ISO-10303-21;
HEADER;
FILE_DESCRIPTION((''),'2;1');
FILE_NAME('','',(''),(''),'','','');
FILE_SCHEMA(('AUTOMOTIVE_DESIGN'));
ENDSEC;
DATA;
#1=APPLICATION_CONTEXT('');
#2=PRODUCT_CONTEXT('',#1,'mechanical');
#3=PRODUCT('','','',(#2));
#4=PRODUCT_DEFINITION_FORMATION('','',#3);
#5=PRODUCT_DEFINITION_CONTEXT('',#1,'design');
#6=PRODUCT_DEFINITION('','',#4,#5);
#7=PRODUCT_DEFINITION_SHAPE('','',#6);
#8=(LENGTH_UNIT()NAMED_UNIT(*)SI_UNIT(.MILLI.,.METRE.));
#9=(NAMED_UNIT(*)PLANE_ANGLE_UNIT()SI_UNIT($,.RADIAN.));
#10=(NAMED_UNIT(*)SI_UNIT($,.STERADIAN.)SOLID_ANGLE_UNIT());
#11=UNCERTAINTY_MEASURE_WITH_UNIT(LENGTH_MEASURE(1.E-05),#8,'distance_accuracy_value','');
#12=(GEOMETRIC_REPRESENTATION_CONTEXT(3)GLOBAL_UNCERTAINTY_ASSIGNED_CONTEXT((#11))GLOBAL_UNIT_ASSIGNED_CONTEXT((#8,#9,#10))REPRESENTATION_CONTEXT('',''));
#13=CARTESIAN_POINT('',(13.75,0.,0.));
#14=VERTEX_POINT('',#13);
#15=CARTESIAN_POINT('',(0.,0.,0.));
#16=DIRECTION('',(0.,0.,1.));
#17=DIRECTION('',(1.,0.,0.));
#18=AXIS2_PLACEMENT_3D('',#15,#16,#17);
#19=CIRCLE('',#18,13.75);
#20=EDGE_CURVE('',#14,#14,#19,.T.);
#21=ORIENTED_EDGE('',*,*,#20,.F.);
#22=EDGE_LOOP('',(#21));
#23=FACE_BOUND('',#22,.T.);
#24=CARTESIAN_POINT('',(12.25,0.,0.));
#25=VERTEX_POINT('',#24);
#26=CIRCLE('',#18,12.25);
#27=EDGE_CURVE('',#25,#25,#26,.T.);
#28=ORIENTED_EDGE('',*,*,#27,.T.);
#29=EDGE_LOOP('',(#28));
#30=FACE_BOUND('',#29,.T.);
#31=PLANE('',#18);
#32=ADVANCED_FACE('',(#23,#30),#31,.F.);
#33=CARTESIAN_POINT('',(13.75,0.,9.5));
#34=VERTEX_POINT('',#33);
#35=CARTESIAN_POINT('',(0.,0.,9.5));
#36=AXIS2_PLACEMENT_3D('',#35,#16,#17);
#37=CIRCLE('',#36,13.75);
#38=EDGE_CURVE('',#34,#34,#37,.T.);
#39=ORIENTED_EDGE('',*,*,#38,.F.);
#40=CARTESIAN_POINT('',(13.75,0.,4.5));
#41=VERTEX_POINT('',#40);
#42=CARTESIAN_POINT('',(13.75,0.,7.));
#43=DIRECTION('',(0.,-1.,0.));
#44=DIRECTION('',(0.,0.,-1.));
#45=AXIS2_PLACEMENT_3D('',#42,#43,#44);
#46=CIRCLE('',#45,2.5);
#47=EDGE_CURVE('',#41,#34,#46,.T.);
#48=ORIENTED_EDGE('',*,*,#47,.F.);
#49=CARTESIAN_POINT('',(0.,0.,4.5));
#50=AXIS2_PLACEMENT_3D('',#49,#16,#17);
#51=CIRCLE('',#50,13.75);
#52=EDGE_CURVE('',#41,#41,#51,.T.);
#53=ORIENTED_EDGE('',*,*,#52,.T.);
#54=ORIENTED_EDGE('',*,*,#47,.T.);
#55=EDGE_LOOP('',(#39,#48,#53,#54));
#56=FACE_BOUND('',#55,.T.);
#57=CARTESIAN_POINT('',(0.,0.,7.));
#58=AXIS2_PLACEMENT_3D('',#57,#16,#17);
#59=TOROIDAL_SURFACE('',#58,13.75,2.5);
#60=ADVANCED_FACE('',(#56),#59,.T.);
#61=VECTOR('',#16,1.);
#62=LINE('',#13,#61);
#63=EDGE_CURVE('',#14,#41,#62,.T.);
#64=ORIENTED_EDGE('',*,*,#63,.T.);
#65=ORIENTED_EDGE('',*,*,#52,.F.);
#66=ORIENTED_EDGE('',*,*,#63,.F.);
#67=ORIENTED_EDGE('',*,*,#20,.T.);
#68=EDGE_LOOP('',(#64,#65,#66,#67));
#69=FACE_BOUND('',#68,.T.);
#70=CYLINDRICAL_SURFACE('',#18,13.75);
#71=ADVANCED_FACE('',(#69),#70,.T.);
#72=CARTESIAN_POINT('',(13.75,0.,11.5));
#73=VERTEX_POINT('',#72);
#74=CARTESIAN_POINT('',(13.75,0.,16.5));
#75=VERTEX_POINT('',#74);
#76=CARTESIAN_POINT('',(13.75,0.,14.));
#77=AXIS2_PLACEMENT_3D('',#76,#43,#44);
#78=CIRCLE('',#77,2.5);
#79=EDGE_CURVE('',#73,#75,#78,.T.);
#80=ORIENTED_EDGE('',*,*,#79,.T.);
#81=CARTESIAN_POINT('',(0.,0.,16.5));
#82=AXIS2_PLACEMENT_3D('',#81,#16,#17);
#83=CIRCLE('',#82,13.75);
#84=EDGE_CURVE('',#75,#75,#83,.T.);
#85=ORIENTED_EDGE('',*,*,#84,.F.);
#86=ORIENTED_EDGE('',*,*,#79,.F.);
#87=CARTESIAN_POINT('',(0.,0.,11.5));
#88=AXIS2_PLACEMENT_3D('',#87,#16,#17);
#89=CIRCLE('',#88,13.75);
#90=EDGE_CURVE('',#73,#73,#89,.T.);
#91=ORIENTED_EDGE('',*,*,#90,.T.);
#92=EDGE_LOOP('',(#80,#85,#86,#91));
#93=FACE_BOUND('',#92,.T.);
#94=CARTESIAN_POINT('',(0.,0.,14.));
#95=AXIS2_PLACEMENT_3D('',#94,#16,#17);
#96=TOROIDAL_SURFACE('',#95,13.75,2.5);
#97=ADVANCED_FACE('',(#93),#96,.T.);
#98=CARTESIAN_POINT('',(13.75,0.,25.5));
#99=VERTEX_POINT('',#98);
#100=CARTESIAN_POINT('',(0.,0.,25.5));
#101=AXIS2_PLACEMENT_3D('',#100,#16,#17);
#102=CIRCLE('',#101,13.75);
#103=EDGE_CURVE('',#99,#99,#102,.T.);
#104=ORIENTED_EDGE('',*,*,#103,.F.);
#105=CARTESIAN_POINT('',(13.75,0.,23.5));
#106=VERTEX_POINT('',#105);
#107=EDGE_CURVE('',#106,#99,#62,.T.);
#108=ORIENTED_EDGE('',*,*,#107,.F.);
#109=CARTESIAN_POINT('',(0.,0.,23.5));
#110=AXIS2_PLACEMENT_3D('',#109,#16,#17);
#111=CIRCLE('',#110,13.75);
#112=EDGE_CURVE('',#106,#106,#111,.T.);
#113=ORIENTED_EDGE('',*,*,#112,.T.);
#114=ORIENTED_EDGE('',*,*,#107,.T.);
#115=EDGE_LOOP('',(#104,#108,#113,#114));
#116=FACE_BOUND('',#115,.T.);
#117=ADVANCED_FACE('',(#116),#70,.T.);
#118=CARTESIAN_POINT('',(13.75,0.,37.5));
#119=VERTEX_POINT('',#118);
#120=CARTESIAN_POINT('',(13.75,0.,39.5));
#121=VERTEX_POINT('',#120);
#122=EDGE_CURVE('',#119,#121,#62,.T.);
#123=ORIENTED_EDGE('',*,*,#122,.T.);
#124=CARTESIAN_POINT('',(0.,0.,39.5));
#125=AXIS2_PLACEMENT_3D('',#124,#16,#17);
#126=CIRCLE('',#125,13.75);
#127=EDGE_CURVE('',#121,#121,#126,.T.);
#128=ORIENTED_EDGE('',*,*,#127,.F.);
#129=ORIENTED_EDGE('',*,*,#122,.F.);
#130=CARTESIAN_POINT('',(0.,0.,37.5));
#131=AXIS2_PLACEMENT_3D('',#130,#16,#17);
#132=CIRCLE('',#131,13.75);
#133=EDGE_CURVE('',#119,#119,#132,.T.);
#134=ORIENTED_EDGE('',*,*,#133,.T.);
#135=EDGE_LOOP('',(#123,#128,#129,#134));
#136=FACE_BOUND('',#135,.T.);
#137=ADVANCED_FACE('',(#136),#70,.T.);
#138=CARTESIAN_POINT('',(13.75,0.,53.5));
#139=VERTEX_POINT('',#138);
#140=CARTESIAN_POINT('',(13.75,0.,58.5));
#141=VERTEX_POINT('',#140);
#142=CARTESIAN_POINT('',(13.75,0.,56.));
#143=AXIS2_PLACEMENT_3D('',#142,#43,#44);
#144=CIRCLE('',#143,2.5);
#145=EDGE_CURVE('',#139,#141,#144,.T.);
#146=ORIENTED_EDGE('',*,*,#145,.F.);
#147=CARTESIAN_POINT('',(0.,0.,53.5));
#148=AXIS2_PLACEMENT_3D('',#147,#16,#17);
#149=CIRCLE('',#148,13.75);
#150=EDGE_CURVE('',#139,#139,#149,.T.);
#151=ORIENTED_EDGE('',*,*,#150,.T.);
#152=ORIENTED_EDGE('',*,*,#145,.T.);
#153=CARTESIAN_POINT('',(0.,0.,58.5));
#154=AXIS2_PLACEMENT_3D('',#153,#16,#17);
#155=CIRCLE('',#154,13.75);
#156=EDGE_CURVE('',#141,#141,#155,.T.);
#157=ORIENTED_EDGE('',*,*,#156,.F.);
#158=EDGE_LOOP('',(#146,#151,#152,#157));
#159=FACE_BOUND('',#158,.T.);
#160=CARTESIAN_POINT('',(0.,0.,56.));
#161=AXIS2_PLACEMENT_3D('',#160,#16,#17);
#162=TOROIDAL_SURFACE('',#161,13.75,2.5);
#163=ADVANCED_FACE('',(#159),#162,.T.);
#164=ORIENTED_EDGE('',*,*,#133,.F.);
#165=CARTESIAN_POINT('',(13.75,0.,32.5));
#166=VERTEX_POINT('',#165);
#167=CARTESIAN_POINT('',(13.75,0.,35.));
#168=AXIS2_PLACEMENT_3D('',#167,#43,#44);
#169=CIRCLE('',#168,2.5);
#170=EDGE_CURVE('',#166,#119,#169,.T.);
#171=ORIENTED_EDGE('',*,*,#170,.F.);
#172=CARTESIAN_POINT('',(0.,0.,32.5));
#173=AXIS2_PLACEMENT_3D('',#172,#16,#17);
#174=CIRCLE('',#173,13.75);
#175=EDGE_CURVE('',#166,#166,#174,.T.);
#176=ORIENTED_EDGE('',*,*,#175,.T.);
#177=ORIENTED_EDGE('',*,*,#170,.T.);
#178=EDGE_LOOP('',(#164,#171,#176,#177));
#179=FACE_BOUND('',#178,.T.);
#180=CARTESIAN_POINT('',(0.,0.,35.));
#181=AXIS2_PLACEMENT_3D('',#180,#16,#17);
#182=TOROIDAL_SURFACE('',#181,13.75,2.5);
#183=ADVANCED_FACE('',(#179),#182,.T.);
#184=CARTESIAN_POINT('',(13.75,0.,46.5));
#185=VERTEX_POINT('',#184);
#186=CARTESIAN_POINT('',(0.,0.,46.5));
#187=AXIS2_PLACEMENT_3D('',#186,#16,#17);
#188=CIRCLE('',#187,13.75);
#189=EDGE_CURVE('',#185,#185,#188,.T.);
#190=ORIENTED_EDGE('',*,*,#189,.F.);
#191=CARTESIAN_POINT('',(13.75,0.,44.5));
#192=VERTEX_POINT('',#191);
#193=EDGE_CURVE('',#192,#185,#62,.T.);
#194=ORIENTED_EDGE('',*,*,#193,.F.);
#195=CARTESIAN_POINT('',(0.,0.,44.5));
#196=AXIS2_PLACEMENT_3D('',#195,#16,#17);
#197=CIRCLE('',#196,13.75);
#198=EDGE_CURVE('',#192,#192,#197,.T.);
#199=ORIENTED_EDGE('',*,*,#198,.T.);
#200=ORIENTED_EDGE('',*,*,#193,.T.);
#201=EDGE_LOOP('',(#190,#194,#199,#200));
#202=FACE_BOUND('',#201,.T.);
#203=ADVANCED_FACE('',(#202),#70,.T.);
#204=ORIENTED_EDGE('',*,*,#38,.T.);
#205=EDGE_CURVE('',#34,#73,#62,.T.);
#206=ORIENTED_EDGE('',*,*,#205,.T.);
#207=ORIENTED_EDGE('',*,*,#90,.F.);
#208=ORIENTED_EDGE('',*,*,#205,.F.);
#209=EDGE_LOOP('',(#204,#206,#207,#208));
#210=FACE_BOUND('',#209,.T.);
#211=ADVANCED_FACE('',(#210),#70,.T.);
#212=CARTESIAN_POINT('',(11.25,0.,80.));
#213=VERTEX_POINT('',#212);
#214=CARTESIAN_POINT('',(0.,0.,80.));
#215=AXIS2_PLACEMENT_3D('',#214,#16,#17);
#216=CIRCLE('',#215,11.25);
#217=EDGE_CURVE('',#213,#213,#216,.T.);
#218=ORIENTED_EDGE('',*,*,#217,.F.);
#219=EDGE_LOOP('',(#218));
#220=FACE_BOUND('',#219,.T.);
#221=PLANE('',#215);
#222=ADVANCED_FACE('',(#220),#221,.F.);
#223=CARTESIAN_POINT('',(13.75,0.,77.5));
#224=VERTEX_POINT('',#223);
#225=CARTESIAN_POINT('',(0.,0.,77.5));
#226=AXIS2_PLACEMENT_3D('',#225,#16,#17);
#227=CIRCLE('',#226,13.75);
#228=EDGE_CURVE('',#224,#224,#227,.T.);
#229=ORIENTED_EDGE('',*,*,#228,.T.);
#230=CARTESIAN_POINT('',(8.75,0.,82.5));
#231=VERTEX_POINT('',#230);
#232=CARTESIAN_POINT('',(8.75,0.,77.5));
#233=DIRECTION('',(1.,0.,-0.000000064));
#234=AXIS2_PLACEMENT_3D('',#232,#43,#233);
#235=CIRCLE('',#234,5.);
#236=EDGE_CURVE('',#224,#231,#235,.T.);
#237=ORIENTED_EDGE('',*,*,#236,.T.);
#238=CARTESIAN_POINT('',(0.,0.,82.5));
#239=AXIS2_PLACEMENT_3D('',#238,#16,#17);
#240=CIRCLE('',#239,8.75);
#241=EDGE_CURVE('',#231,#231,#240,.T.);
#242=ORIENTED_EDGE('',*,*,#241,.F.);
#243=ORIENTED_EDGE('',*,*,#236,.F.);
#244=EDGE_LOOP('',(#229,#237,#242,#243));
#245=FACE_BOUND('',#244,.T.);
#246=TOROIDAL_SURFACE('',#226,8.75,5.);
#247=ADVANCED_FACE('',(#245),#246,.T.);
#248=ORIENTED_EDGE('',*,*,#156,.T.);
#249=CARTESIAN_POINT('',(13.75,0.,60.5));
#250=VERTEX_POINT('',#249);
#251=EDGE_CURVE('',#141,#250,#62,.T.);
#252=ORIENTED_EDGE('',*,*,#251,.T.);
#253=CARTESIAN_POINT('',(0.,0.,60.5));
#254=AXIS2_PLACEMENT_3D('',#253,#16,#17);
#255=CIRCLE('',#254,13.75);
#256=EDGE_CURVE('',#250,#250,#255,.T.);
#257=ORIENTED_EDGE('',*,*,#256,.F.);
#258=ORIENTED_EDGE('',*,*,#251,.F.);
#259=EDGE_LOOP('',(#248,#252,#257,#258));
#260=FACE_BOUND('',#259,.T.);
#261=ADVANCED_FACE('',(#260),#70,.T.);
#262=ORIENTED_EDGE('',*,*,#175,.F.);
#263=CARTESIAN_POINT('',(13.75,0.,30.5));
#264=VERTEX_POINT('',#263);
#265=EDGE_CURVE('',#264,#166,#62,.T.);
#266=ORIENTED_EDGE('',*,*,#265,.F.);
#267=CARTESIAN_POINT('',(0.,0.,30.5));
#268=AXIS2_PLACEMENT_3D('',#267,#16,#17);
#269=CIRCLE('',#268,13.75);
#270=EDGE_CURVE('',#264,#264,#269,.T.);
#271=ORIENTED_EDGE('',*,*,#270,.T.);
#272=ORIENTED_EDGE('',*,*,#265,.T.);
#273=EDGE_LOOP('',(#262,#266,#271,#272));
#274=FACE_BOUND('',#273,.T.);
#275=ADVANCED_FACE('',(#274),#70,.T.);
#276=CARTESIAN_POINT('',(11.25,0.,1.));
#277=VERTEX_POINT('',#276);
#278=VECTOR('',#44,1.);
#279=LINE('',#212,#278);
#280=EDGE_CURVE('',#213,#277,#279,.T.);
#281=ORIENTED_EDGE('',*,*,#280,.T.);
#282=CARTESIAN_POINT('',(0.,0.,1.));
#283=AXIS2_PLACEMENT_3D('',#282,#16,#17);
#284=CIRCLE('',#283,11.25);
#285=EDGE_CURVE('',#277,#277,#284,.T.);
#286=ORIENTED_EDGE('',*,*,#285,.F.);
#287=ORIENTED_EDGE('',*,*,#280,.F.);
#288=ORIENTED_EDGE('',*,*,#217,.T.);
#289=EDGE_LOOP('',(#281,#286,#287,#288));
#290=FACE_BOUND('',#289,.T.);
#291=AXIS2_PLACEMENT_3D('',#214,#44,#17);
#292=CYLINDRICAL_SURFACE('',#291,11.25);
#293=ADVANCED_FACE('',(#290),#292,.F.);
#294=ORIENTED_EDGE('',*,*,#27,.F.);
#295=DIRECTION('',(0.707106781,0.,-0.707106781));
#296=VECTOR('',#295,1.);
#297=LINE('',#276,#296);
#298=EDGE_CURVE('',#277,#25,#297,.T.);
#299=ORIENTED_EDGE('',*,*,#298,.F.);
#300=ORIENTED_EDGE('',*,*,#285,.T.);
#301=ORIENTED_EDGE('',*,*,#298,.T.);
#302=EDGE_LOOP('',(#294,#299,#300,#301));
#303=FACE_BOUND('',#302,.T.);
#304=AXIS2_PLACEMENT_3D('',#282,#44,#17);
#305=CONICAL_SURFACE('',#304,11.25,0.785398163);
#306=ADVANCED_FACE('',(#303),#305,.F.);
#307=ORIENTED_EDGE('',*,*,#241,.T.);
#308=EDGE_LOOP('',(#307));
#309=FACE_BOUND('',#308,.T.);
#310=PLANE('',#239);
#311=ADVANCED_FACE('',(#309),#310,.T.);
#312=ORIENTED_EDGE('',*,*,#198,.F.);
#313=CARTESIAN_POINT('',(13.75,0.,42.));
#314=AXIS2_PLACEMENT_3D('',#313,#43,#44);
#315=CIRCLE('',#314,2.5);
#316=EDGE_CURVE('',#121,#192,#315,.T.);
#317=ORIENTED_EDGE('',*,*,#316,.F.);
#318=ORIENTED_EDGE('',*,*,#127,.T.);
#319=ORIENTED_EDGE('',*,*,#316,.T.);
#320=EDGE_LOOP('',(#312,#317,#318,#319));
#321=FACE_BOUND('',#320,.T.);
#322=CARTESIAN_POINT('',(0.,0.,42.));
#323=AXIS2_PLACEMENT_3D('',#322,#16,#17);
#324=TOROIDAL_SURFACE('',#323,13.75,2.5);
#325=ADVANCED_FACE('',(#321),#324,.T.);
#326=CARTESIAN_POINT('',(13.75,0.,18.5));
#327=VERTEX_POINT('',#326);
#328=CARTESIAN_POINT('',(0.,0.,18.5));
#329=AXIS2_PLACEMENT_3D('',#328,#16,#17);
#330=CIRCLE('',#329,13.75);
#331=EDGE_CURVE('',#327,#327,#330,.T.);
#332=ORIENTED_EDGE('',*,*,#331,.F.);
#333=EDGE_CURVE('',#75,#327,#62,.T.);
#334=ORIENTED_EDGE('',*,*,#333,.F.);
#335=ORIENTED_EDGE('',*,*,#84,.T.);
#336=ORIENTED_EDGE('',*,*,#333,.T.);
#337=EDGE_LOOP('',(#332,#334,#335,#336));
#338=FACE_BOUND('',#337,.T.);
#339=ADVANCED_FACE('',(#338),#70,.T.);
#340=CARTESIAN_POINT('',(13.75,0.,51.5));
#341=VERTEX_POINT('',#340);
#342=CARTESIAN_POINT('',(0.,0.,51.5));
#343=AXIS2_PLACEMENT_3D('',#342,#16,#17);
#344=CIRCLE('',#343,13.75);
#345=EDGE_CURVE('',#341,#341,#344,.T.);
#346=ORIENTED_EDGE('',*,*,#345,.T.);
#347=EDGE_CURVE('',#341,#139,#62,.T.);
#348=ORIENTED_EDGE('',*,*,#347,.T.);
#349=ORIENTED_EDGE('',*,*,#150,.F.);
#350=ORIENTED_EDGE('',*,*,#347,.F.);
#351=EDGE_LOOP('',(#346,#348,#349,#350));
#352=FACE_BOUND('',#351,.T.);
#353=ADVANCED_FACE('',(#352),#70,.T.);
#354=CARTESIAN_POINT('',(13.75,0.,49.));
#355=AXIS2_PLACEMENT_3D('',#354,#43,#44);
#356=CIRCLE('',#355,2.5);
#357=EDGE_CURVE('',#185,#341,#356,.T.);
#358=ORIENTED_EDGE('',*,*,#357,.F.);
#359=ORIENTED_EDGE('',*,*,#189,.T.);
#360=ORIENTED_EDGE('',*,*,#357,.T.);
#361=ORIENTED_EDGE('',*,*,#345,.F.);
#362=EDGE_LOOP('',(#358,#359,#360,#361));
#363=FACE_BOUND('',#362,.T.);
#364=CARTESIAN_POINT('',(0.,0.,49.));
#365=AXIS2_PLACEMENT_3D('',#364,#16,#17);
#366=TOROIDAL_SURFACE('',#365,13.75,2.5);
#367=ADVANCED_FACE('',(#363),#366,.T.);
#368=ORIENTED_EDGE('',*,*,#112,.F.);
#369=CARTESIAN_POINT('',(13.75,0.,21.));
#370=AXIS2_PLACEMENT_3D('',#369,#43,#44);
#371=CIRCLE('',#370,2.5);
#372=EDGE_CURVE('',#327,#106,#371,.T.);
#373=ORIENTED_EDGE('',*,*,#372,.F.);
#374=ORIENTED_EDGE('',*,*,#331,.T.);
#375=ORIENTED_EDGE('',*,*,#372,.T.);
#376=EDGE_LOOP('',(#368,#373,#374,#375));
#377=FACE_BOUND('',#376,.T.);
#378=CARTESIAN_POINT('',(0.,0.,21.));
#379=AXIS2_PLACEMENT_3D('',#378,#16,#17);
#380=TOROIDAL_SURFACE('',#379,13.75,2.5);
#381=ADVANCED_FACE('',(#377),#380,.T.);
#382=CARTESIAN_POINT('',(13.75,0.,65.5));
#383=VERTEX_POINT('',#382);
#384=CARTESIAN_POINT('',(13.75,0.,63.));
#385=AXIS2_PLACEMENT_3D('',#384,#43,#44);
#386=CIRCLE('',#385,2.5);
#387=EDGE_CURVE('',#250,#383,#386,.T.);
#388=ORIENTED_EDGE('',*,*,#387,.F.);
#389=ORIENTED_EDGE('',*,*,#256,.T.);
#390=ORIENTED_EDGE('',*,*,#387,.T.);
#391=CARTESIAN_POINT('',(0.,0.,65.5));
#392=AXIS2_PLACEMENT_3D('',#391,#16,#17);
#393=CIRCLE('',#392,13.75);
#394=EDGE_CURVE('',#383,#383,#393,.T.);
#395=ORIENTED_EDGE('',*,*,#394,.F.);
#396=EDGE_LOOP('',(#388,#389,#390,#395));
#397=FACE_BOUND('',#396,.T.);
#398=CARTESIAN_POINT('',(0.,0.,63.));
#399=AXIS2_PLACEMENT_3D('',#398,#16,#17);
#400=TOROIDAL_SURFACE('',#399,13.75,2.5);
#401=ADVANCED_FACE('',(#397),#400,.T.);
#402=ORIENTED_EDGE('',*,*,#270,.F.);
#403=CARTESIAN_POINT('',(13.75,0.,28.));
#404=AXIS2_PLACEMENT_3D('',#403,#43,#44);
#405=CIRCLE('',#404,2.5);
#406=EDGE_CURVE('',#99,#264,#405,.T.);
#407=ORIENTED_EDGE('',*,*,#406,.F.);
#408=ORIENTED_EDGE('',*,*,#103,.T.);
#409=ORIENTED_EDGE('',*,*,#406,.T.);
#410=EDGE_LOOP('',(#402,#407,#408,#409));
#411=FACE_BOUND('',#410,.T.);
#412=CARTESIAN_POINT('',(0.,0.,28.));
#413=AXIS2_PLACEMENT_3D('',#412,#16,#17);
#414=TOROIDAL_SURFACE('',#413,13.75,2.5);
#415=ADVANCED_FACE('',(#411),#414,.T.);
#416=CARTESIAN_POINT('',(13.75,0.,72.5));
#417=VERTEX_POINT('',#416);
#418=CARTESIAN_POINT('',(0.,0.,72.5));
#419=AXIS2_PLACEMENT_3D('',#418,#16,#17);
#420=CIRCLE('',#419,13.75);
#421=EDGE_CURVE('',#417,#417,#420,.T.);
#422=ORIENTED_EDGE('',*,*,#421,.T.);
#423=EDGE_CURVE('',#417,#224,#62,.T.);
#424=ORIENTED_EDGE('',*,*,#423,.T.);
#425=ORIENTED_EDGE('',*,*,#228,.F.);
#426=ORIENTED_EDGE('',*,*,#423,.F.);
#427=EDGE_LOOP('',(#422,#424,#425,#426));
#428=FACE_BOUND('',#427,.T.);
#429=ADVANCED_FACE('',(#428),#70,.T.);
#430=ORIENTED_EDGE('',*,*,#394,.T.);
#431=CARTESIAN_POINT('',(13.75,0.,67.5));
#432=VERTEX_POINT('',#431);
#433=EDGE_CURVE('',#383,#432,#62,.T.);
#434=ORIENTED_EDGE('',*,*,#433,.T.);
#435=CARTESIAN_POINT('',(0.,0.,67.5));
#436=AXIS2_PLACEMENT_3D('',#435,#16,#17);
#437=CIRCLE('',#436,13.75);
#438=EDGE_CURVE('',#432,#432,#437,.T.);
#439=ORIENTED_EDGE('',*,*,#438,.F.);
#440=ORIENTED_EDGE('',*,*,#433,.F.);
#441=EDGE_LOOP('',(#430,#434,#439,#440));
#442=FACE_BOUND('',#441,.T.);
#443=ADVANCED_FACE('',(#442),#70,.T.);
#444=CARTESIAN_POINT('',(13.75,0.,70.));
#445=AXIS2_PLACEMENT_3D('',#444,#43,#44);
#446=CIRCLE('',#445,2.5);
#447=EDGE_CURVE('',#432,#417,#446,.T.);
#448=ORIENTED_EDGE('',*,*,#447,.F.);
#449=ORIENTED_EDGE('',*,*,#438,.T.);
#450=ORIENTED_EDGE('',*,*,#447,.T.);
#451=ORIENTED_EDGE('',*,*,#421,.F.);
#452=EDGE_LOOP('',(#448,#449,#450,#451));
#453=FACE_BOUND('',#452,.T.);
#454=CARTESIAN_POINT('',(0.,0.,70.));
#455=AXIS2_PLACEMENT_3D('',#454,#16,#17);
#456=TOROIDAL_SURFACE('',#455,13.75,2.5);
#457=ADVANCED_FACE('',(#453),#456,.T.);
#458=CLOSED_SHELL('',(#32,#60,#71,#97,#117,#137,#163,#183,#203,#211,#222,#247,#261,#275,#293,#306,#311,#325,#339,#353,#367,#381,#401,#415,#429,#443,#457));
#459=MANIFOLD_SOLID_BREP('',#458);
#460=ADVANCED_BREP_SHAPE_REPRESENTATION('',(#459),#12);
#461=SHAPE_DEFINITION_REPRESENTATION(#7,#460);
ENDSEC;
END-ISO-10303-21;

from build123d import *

# Parameters (mm, degrees)
F2_SIZE = 1


with BuildPart() as f1:
    # F0 (on Front) → F1 (revolve)
    with BuildSketch(Plane.XZ):
        with BuildLine():
            Line((0, 82.5), (0, 80))
            Line((0, 80), (11.25, 80))
            Line((11.25, 80), (11.25, 0))
            Line((11.25, 0), (13.75, 0))
            Line((13.75, 0), (13.75, 4.5))
            Line((13.75, 4.5), (13.75, 9.5))
            Line((13.75, 9.5), (13.75, 11.5))
            Line((13.75, 11.5), (13.75, 16.5))
            Line((13.75, 16.5), (13.75, 18.5))
            Line((13.75, 18.5), (13.75, 23.5))
            Line((13.75, 23.5), (13.75, 25.5))
            Line((13.75, 25.5), (13.75, 30.5))
            Line((13.75, 30.5), (13.75, 32.5))
            Line((13.75, 32.5), (13.75, 37.5))
            Line((13.75, 37.5), (13.75, 39.5))
            Line((13.75, 39.5), (13.75, 44.5))
            Line((13.75, 44.5), (13.75, 46.5))
            Line((13.75, 46.5), (13.75, 51.5))
            Line((13.75, 51.5), (13.75, 53.5))
            Line((13.75, 53.5), (13.75, 58.5))
            Line((13.75, 58.5), (13.75, 60.5))
            Line((13.75, 60.5), (13.75, 65.5))
            Line((13.75, 65.5), (13.75, 67.5))
            Line((13.75, 67.5), (13.75, 72.5))
            Line((13.75, 72.5), (13.75, 77.5))
            ThreePointArc((13.75, 77.5), (12.285534, 81.035534), (8.75, 82.5))
            Line((8.75, 82.5), (0, 82.5))
        make_face()
        with BuildLine():
            ThreePointArc((13.75, 67.5), (16.25, 70), (13.75, 72.5))
            Line((13.75, 72.5), (13.75, 67.5))
        make_face()
        with BuildLine():
            Line((13.75, 9.5), (13.75, 4.5))
            ThreePointArc((13.75, 4.5), (16.25, 7), (13.75, 9.5))
        make_face()
        with BuildLine():
            ThreePointArc((13.75, 60.5), (16.25, 63), (13.75, 65.5))
            Line((13.75, 65.5), (13.75, 60.5))
        make_face()
        with BuildLine():
            Line((13.75, 16.5), (13.75, 11.5))
            ThreePointArc((13.75, 11.5), (16.25, 14), (13.75, 16.5))
        make_face()
        with BuildLine():
            ThreePointArc((13.75, 53.5), (16.25, 56), (13.75, 58.5))
            Line((13.75, 58.5), (13.75, 53.5))
        make_face()
        with BuildLine():
            Line((13.75, 23.5), (13.75, 18.5))
            ThreePointArc((13.75, 18.5), (16.25, 21), (13.75, 23.5))
        make_face()
        with BuildLine():
            ThreePointArc((13.75, 46.5), (16.25, 49), (13.75, 51.5))
            Line((13.75, 51.5), (13.75, 46.5))
        make_face()
        with BuildLine():
            Line((13.75, 30.5), (13.75, 25.5))
            ThreePointArc((13.75, 25.5), (16.25, 28), (13.75, 30.5))
        make_face()
        with BuildLine():
            ThreePointArc((13.75, 39.5), (16.25, 42), (13.75, 44.5))
            Line((13.75, 44.5), (13.75, 39.5))
        make_face()
        with BuildLine():
            Line((13.75, 37.5), (13.75, 32.5))
            ThreePointArc((13.75, 32.5), (16.25, 35), (13.75, 37.5))
        make_face()
    revolve(axis=Axis((0, 0, 41.25), (0, 0, 1)))

    # F2
    f2_edges = [f1.edges().sort_by_distance(p)[0] for p in [
        (-11.25, 0, 0),
    ]]
    chamfer(f2_edges, length=F2_SIZE)


solid = f1.part
